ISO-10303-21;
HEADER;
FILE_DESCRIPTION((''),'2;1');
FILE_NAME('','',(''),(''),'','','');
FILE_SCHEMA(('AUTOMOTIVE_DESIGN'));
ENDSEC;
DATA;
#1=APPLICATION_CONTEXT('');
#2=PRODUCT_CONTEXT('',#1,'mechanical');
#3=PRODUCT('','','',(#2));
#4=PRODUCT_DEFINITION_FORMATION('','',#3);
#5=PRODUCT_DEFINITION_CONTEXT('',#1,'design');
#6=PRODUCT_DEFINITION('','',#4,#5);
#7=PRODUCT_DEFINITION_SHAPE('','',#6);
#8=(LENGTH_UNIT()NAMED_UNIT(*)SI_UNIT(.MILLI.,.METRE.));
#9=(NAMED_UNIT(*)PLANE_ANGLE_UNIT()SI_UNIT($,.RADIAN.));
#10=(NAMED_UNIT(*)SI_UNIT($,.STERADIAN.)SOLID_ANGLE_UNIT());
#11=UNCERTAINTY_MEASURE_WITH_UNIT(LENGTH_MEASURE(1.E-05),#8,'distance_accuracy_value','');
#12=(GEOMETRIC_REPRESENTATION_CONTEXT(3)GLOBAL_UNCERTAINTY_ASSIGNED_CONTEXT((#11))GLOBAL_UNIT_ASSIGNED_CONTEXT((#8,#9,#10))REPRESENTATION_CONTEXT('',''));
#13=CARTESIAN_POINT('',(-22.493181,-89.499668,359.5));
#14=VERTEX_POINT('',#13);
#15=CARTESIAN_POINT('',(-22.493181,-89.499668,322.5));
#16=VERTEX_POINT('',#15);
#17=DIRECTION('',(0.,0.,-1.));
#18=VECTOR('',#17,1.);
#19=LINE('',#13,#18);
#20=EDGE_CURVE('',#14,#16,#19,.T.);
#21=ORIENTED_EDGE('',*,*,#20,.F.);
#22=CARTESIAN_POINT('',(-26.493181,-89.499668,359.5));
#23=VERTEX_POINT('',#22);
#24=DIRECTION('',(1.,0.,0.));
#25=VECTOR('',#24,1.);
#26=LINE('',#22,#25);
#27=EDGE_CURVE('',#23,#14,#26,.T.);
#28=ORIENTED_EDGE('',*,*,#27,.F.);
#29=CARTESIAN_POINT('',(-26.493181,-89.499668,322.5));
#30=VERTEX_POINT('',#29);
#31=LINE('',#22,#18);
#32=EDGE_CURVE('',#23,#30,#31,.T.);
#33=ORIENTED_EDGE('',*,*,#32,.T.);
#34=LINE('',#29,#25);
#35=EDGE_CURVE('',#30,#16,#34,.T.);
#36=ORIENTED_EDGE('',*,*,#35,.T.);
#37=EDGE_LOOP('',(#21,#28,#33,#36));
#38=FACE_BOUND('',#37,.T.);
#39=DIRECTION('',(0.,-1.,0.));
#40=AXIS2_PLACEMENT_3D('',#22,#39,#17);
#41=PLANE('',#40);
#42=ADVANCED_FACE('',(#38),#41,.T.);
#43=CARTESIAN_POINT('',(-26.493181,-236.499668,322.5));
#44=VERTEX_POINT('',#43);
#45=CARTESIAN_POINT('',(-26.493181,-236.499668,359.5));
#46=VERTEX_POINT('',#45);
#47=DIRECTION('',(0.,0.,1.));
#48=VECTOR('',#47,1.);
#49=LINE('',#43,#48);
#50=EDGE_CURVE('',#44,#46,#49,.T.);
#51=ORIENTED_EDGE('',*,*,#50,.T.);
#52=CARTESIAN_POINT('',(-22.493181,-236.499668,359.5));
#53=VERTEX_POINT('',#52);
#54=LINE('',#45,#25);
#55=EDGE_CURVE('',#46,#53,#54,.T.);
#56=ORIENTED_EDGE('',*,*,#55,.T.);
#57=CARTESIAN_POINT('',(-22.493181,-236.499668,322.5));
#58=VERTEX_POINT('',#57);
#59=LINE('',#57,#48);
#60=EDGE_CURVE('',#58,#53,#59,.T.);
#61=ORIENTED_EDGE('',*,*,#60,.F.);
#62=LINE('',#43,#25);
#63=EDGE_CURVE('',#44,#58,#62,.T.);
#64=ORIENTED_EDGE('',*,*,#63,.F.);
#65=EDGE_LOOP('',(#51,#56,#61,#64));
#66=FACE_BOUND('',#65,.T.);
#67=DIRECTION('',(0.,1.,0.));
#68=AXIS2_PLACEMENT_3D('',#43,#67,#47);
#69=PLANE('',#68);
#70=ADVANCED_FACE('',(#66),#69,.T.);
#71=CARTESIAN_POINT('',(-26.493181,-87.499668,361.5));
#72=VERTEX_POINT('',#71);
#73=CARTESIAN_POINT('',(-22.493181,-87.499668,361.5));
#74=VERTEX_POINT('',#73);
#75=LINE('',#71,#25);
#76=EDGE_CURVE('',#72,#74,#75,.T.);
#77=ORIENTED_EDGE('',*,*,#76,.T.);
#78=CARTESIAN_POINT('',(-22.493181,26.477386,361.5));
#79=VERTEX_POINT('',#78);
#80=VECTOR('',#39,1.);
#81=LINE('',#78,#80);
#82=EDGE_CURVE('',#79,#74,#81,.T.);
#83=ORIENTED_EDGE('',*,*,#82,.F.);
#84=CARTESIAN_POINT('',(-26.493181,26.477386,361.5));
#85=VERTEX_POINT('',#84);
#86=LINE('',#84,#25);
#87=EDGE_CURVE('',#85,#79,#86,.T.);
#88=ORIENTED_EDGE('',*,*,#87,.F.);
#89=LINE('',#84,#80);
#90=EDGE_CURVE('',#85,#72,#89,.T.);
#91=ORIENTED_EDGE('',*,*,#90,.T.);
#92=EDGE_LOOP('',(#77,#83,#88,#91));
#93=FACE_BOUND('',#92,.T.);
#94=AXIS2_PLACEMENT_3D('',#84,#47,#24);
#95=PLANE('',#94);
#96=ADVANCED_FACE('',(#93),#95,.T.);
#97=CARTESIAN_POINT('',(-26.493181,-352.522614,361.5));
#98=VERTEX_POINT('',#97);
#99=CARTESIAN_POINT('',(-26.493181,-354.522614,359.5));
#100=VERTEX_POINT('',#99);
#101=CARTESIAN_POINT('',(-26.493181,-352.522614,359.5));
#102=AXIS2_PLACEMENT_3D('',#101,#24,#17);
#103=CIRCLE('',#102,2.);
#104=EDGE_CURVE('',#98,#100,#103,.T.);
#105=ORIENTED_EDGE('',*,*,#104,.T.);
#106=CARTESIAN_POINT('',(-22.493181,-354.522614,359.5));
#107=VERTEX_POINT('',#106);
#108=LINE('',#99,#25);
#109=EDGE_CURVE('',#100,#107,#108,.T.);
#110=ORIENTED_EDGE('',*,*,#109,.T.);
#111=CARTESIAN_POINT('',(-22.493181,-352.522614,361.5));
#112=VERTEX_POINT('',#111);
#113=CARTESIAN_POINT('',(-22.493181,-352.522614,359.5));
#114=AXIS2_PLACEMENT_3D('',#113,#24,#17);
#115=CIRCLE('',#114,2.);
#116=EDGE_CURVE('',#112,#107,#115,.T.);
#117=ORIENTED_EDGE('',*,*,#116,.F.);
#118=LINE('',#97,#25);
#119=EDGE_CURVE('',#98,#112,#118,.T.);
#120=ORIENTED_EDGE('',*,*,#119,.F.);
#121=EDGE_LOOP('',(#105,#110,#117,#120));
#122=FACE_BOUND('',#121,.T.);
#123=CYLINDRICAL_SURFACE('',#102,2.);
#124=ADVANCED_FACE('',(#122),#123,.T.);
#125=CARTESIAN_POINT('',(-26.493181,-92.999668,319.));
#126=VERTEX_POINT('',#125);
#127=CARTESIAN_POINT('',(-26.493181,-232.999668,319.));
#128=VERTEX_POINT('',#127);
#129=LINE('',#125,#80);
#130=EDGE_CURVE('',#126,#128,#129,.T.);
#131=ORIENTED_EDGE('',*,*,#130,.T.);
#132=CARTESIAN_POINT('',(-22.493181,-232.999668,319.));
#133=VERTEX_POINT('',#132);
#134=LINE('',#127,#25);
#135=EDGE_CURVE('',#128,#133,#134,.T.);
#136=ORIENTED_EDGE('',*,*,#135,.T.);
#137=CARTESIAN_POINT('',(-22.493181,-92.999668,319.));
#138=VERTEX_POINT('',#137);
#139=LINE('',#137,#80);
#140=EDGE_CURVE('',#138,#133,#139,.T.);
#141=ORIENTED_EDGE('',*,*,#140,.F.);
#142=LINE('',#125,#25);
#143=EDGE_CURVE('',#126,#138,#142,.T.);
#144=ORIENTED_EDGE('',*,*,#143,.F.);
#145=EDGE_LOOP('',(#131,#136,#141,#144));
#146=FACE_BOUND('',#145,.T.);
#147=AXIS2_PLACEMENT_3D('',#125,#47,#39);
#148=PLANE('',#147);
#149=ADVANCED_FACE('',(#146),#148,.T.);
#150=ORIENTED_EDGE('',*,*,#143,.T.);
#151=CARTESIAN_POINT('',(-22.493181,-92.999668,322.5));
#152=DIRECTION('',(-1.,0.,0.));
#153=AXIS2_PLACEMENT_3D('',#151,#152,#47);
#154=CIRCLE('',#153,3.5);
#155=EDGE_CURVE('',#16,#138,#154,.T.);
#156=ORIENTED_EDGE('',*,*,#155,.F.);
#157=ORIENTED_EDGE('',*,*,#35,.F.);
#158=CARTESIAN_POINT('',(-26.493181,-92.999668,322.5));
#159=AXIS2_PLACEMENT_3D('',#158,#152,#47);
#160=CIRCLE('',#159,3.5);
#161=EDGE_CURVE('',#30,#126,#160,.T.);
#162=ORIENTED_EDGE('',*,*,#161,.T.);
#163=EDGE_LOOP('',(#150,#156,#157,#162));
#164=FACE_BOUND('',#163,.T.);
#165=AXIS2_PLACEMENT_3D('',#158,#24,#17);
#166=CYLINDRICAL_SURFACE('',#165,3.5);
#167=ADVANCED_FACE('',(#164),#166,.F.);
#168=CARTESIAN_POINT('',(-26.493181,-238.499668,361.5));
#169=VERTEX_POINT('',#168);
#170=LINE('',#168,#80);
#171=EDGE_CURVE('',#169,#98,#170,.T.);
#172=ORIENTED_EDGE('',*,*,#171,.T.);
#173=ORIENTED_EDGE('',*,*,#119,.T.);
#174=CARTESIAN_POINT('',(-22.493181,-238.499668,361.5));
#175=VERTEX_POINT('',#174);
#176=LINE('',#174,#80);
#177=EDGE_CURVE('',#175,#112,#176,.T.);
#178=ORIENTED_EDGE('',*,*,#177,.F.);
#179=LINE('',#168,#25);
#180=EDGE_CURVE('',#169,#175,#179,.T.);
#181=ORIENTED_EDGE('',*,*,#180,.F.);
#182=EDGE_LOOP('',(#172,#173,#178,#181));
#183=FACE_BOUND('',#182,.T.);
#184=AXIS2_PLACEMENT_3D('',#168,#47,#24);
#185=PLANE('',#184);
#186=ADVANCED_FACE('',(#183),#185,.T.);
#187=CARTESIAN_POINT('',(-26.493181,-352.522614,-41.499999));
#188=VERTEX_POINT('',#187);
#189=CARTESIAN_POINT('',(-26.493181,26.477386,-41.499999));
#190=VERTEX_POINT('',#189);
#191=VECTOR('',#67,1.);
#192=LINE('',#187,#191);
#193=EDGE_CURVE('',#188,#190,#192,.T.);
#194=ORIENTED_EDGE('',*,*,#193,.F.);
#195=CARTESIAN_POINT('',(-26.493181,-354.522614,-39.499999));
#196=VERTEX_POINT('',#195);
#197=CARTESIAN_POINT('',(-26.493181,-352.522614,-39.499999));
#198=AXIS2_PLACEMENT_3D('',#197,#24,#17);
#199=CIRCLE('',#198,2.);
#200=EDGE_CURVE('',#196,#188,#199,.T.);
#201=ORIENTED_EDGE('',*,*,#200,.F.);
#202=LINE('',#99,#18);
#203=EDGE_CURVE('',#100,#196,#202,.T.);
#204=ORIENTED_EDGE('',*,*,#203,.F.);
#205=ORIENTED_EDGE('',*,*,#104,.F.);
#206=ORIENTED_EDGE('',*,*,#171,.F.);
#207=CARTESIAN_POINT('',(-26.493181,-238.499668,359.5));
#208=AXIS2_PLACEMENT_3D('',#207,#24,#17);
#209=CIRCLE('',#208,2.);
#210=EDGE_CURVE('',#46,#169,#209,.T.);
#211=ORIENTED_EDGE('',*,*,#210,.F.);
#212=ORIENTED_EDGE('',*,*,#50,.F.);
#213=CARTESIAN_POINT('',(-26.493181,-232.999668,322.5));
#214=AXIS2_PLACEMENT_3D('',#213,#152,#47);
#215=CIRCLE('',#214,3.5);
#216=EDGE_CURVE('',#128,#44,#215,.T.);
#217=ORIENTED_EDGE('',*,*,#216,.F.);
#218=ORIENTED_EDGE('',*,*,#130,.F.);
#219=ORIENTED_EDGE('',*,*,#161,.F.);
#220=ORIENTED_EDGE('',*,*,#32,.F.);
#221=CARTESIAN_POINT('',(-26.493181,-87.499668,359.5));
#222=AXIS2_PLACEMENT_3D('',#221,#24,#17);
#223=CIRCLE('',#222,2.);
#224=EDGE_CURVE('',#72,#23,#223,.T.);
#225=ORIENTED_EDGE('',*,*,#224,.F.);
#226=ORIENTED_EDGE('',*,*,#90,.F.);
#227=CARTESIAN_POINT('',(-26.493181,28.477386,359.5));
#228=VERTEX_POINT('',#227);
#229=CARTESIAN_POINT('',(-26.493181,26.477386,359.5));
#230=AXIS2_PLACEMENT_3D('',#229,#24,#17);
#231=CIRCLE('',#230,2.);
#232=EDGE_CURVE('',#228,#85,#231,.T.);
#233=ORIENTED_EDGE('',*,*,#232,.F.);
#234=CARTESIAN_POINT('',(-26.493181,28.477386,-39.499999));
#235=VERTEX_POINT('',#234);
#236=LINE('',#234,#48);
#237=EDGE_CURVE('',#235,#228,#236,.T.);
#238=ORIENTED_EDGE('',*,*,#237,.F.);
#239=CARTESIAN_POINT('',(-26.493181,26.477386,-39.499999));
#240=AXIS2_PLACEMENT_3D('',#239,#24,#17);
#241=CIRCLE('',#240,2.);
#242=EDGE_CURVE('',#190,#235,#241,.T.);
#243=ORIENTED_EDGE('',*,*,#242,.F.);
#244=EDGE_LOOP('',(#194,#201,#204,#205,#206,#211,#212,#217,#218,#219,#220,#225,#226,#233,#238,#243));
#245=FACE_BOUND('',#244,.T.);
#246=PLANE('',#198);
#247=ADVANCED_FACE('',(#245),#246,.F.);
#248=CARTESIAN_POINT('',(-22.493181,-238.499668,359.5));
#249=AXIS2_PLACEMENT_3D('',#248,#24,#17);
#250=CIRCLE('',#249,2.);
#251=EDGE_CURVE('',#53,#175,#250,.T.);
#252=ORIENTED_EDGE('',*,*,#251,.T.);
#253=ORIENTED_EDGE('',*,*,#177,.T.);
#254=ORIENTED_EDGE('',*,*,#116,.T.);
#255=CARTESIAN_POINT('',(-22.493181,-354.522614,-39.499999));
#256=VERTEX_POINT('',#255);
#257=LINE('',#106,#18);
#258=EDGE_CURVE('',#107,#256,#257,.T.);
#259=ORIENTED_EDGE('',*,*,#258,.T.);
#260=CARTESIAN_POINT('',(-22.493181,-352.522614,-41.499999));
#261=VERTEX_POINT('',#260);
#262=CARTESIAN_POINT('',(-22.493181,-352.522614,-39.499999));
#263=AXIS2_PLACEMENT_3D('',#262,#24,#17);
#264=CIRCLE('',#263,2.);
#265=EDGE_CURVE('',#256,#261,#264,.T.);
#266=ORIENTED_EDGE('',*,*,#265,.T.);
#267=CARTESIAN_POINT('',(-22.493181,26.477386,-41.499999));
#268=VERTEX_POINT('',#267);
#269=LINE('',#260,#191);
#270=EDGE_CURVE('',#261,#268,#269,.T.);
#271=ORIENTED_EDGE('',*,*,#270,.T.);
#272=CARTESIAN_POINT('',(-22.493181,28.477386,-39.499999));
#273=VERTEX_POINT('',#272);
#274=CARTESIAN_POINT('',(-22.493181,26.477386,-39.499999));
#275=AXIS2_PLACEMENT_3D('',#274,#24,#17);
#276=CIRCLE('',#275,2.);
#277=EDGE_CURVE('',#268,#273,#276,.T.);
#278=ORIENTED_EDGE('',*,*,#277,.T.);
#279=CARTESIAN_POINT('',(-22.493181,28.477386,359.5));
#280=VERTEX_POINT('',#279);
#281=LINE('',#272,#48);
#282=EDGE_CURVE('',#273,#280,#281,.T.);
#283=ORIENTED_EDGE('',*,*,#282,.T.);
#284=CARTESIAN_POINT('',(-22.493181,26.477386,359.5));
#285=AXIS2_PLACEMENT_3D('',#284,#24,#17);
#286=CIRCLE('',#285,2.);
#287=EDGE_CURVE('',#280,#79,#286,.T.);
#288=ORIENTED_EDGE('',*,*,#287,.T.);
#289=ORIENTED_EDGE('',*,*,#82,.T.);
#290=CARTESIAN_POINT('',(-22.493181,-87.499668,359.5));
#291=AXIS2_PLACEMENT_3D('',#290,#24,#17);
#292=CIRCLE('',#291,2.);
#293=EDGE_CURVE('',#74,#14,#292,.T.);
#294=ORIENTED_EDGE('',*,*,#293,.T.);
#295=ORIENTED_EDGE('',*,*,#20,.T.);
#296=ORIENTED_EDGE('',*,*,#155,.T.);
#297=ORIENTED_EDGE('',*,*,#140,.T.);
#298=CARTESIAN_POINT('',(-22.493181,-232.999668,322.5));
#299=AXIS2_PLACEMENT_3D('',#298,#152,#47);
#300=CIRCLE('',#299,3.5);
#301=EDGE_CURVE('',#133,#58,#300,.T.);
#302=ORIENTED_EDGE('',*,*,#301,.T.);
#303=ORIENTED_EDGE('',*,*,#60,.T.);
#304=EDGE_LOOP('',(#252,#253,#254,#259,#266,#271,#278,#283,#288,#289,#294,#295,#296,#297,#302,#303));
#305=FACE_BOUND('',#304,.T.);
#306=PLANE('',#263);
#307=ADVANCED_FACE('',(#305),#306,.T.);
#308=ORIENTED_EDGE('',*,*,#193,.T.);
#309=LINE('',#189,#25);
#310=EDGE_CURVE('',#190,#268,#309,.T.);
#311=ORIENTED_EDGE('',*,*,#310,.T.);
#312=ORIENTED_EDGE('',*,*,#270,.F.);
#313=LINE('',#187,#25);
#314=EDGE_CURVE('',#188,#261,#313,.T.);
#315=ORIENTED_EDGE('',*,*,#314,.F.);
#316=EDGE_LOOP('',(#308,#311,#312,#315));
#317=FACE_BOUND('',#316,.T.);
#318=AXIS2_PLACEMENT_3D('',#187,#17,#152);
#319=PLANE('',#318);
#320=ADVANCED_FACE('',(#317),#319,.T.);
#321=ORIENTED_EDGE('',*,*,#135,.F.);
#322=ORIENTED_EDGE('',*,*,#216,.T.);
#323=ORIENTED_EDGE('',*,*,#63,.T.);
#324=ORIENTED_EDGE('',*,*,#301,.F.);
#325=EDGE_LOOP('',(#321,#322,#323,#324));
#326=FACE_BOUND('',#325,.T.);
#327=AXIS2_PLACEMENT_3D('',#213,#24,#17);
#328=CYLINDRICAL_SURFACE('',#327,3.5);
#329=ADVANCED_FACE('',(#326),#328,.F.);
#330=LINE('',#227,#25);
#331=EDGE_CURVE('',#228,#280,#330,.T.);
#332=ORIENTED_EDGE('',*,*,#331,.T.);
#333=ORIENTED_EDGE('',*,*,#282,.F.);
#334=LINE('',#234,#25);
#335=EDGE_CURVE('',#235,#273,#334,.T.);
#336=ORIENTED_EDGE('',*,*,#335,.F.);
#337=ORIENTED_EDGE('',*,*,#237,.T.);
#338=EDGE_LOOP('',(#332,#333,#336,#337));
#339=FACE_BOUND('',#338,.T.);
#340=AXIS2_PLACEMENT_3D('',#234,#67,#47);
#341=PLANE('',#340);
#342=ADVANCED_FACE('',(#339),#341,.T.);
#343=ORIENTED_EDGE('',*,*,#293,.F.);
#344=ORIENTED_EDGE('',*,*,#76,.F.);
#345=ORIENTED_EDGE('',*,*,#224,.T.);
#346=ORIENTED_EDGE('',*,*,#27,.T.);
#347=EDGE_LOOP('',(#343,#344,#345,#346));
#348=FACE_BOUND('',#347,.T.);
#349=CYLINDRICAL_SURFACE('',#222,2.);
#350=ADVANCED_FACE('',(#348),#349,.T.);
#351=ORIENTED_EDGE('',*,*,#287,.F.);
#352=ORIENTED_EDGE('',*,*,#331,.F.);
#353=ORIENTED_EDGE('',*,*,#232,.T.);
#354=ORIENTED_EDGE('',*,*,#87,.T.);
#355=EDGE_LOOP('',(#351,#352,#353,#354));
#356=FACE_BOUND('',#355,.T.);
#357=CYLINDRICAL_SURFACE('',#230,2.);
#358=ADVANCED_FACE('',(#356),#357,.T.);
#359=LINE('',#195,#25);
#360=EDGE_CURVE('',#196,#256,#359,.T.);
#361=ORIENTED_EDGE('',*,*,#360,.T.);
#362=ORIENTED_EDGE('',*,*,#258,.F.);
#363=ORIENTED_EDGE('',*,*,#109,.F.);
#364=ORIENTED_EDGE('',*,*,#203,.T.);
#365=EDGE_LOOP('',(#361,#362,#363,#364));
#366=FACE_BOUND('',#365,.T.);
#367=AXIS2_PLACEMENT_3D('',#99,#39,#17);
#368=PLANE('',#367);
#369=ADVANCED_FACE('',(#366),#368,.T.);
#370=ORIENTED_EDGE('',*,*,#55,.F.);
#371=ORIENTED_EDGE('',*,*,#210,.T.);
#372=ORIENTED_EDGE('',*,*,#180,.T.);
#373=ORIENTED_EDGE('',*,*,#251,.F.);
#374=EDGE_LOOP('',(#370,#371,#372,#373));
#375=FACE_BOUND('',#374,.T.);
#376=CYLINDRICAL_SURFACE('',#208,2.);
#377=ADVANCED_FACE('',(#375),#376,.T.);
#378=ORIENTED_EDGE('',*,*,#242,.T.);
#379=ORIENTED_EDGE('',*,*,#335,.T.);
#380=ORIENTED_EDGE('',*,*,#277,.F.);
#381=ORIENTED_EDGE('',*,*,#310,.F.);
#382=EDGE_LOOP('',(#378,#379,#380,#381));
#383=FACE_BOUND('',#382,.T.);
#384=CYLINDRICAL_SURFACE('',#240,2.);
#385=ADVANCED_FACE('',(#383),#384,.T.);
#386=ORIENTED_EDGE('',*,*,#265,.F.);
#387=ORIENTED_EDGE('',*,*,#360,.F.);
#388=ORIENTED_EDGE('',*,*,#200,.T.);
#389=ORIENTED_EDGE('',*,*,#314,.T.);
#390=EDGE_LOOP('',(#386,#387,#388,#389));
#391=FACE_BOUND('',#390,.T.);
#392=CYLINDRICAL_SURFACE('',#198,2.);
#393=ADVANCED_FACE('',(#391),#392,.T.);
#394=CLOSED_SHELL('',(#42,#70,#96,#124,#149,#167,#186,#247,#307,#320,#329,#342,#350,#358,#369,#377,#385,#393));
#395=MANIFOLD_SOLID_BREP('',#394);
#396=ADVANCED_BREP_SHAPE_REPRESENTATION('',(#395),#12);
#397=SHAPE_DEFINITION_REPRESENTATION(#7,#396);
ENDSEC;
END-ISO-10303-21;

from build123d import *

# Parameters (mm, degrees)
BOSS_EXTRUDE1_DEPTH = 4


with BuildPart() as part:
    # Sketch1 → Boss-Extrude1 (new body)
    with BuildSketch(Plane(origin=(-22.493180964, 0, 0), x_dir=(0, 0, -1), z_dir=(1, 0, 0))):
        with BuildLine():
            Line((41.499999434, -352.52261402), (41.499999434, 26.477385891))
            ThreePointArc((41.499999434, 26.477385891), (40.914212996, 27.891599453), (39.499999434, 28.477385891))
            Line((39.499999434, 28.477385891), (-359.500000477, 28.477385891))
            ThreePointArc((-359.500000477, 28.477385891), (-360.914214039, 27.891599453), (-361.500000477, 26.477385891))
            Line((-361.500000477, 26.477385891), (-361.500000477, -87.499667694))
            ThreePointArc((-361.500000477, -87.499667694), (-360.914214039, -88.913881256), (-359.500000477, -89.499667694))
            Line((-359.500000477, -89.499667694), (-322.5, -89.499667694))
            ThreePointArc((-322.5, -89.499667694), (-320.025126266, -90.524793959), (-319, -92.999667694))
            Line((-319, -92.999667694), (-319, -232.999667694))
            ThreePointArc((-319, -232.999667694), (-320.025126266, -235.474541428), (-322.5, -236.499667694))
            Line((-322.5, -236.499667694), (-359.500000477, -236.499667694))
            ThreePointArc((-359.500000477, -236.499667694), (-360.914214039, -237.085454131), (-361.500000477, -238.499667694))
            Line((-361.500000477, -238.499667694), (-361.500000477, -352.52261402))
            ThreePointArc((-361.500000477, -352.52261402), (-360.914214039, -353.936827582), (-359.500000477, -354.52261402))
            Line((-359.500000477, -354.52261402), (39.499999434, -354.52261402))
            ThreePointArc((39.499999434, -354.52261402), (40.914212996, -353.936827582), (41.499999434, -352.52261402))
        make_face()
    extrude(amount=-BOSS_EXTRUDE1_DEPTH)


solid = part.part
